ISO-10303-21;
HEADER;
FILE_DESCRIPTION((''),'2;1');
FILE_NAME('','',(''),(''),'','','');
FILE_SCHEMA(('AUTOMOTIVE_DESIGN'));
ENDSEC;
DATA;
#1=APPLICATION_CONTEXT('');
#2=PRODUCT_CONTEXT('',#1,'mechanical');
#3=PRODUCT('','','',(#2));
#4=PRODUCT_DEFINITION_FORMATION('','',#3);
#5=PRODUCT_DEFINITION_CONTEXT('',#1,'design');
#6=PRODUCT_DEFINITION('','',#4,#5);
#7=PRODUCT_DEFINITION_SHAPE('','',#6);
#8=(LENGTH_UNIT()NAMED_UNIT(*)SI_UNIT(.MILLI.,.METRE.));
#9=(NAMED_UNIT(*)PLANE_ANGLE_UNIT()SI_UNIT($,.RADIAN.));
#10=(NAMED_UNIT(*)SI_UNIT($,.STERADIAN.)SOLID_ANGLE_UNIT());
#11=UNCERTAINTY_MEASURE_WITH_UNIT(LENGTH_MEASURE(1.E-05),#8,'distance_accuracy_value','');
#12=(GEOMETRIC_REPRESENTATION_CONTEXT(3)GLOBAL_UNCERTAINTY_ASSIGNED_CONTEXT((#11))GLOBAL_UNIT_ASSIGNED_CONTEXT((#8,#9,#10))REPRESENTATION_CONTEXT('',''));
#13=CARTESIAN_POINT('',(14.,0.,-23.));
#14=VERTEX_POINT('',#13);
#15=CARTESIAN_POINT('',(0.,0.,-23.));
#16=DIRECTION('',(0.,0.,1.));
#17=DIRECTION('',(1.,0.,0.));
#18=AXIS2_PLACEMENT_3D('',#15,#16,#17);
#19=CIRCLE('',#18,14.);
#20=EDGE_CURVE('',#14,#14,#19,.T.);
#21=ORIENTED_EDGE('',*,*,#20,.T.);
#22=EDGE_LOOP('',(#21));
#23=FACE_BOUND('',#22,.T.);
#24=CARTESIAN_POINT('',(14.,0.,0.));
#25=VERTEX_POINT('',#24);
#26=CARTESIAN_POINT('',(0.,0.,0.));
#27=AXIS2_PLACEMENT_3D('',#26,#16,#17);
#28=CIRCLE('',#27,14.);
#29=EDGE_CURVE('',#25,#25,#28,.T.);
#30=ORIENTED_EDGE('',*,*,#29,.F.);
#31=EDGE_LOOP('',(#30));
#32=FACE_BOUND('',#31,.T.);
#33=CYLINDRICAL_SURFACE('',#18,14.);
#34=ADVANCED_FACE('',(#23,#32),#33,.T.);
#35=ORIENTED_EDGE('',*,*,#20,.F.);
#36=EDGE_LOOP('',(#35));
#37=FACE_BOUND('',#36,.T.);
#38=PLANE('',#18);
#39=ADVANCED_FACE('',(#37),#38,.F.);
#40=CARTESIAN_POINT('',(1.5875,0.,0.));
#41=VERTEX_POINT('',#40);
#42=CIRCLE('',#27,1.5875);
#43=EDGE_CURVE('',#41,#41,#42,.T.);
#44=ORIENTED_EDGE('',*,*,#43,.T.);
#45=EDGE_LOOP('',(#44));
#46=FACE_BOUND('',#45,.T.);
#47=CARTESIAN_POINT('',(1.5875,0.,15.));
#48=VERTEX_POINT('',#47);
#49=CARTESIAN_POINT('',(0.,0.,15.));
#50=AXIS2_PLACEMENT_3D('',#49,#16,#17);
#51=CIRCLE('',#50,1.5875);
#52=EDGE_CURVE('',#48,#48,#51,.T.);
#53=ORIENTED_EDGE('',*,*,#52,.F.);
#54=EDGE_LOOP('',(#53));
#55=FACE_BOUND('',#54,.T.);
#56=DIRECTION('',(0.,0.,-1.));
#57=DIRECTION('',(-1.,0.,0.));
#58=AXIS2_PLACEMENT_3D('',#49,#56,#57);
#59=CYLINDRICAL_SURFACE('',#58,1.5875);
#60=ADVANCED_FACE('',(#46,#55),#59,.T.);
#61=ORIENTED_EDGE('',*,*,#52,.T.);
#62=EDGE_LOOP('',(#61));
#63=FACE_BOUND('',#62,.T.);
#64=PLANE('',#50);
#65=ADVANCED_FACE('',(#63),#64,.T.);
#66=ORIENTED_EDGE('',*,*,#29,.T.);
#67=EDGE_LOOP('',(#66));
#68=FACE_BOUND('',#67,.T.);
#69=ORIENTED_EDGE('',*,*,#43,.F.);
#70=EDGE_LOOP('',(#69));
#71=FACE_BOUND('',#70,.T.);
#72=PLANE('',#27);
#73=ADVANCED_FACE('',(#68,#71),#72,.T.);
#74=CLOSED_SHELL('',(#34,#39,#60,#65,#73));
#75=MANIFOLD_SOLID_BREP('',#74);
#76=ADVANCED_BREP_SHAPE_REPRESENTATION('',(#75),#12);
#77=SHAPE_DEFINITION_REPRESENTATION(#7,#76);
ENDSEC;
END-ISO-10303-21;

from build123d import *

# Parameters (mm, degrees)
SKETCH1_R           = 14
BOSS_EXTRUDE1_DEPTH = 23
SKETCH1_3_R         = 1.5875
BOSS_EXTRUDE2_DEPTH = 15


with BuildPart() as part:
    # Sketch1 → Boss-Extrude1 (new body)
    with BuildSketch(Plane.XY):
        Circle(SKETCH1_R)
    extrude(amount=-BOSS_EXTRUDE1_DEPTH)

    # Sketch1<3> → Boss-Extrude2 (add)
    with BuildSketch(Plane.XY):
        Circle(SKETCH1_3_R)
    extrude(amount=BOSS_EXTRUDE2_DEPTH)


solid = part.part
